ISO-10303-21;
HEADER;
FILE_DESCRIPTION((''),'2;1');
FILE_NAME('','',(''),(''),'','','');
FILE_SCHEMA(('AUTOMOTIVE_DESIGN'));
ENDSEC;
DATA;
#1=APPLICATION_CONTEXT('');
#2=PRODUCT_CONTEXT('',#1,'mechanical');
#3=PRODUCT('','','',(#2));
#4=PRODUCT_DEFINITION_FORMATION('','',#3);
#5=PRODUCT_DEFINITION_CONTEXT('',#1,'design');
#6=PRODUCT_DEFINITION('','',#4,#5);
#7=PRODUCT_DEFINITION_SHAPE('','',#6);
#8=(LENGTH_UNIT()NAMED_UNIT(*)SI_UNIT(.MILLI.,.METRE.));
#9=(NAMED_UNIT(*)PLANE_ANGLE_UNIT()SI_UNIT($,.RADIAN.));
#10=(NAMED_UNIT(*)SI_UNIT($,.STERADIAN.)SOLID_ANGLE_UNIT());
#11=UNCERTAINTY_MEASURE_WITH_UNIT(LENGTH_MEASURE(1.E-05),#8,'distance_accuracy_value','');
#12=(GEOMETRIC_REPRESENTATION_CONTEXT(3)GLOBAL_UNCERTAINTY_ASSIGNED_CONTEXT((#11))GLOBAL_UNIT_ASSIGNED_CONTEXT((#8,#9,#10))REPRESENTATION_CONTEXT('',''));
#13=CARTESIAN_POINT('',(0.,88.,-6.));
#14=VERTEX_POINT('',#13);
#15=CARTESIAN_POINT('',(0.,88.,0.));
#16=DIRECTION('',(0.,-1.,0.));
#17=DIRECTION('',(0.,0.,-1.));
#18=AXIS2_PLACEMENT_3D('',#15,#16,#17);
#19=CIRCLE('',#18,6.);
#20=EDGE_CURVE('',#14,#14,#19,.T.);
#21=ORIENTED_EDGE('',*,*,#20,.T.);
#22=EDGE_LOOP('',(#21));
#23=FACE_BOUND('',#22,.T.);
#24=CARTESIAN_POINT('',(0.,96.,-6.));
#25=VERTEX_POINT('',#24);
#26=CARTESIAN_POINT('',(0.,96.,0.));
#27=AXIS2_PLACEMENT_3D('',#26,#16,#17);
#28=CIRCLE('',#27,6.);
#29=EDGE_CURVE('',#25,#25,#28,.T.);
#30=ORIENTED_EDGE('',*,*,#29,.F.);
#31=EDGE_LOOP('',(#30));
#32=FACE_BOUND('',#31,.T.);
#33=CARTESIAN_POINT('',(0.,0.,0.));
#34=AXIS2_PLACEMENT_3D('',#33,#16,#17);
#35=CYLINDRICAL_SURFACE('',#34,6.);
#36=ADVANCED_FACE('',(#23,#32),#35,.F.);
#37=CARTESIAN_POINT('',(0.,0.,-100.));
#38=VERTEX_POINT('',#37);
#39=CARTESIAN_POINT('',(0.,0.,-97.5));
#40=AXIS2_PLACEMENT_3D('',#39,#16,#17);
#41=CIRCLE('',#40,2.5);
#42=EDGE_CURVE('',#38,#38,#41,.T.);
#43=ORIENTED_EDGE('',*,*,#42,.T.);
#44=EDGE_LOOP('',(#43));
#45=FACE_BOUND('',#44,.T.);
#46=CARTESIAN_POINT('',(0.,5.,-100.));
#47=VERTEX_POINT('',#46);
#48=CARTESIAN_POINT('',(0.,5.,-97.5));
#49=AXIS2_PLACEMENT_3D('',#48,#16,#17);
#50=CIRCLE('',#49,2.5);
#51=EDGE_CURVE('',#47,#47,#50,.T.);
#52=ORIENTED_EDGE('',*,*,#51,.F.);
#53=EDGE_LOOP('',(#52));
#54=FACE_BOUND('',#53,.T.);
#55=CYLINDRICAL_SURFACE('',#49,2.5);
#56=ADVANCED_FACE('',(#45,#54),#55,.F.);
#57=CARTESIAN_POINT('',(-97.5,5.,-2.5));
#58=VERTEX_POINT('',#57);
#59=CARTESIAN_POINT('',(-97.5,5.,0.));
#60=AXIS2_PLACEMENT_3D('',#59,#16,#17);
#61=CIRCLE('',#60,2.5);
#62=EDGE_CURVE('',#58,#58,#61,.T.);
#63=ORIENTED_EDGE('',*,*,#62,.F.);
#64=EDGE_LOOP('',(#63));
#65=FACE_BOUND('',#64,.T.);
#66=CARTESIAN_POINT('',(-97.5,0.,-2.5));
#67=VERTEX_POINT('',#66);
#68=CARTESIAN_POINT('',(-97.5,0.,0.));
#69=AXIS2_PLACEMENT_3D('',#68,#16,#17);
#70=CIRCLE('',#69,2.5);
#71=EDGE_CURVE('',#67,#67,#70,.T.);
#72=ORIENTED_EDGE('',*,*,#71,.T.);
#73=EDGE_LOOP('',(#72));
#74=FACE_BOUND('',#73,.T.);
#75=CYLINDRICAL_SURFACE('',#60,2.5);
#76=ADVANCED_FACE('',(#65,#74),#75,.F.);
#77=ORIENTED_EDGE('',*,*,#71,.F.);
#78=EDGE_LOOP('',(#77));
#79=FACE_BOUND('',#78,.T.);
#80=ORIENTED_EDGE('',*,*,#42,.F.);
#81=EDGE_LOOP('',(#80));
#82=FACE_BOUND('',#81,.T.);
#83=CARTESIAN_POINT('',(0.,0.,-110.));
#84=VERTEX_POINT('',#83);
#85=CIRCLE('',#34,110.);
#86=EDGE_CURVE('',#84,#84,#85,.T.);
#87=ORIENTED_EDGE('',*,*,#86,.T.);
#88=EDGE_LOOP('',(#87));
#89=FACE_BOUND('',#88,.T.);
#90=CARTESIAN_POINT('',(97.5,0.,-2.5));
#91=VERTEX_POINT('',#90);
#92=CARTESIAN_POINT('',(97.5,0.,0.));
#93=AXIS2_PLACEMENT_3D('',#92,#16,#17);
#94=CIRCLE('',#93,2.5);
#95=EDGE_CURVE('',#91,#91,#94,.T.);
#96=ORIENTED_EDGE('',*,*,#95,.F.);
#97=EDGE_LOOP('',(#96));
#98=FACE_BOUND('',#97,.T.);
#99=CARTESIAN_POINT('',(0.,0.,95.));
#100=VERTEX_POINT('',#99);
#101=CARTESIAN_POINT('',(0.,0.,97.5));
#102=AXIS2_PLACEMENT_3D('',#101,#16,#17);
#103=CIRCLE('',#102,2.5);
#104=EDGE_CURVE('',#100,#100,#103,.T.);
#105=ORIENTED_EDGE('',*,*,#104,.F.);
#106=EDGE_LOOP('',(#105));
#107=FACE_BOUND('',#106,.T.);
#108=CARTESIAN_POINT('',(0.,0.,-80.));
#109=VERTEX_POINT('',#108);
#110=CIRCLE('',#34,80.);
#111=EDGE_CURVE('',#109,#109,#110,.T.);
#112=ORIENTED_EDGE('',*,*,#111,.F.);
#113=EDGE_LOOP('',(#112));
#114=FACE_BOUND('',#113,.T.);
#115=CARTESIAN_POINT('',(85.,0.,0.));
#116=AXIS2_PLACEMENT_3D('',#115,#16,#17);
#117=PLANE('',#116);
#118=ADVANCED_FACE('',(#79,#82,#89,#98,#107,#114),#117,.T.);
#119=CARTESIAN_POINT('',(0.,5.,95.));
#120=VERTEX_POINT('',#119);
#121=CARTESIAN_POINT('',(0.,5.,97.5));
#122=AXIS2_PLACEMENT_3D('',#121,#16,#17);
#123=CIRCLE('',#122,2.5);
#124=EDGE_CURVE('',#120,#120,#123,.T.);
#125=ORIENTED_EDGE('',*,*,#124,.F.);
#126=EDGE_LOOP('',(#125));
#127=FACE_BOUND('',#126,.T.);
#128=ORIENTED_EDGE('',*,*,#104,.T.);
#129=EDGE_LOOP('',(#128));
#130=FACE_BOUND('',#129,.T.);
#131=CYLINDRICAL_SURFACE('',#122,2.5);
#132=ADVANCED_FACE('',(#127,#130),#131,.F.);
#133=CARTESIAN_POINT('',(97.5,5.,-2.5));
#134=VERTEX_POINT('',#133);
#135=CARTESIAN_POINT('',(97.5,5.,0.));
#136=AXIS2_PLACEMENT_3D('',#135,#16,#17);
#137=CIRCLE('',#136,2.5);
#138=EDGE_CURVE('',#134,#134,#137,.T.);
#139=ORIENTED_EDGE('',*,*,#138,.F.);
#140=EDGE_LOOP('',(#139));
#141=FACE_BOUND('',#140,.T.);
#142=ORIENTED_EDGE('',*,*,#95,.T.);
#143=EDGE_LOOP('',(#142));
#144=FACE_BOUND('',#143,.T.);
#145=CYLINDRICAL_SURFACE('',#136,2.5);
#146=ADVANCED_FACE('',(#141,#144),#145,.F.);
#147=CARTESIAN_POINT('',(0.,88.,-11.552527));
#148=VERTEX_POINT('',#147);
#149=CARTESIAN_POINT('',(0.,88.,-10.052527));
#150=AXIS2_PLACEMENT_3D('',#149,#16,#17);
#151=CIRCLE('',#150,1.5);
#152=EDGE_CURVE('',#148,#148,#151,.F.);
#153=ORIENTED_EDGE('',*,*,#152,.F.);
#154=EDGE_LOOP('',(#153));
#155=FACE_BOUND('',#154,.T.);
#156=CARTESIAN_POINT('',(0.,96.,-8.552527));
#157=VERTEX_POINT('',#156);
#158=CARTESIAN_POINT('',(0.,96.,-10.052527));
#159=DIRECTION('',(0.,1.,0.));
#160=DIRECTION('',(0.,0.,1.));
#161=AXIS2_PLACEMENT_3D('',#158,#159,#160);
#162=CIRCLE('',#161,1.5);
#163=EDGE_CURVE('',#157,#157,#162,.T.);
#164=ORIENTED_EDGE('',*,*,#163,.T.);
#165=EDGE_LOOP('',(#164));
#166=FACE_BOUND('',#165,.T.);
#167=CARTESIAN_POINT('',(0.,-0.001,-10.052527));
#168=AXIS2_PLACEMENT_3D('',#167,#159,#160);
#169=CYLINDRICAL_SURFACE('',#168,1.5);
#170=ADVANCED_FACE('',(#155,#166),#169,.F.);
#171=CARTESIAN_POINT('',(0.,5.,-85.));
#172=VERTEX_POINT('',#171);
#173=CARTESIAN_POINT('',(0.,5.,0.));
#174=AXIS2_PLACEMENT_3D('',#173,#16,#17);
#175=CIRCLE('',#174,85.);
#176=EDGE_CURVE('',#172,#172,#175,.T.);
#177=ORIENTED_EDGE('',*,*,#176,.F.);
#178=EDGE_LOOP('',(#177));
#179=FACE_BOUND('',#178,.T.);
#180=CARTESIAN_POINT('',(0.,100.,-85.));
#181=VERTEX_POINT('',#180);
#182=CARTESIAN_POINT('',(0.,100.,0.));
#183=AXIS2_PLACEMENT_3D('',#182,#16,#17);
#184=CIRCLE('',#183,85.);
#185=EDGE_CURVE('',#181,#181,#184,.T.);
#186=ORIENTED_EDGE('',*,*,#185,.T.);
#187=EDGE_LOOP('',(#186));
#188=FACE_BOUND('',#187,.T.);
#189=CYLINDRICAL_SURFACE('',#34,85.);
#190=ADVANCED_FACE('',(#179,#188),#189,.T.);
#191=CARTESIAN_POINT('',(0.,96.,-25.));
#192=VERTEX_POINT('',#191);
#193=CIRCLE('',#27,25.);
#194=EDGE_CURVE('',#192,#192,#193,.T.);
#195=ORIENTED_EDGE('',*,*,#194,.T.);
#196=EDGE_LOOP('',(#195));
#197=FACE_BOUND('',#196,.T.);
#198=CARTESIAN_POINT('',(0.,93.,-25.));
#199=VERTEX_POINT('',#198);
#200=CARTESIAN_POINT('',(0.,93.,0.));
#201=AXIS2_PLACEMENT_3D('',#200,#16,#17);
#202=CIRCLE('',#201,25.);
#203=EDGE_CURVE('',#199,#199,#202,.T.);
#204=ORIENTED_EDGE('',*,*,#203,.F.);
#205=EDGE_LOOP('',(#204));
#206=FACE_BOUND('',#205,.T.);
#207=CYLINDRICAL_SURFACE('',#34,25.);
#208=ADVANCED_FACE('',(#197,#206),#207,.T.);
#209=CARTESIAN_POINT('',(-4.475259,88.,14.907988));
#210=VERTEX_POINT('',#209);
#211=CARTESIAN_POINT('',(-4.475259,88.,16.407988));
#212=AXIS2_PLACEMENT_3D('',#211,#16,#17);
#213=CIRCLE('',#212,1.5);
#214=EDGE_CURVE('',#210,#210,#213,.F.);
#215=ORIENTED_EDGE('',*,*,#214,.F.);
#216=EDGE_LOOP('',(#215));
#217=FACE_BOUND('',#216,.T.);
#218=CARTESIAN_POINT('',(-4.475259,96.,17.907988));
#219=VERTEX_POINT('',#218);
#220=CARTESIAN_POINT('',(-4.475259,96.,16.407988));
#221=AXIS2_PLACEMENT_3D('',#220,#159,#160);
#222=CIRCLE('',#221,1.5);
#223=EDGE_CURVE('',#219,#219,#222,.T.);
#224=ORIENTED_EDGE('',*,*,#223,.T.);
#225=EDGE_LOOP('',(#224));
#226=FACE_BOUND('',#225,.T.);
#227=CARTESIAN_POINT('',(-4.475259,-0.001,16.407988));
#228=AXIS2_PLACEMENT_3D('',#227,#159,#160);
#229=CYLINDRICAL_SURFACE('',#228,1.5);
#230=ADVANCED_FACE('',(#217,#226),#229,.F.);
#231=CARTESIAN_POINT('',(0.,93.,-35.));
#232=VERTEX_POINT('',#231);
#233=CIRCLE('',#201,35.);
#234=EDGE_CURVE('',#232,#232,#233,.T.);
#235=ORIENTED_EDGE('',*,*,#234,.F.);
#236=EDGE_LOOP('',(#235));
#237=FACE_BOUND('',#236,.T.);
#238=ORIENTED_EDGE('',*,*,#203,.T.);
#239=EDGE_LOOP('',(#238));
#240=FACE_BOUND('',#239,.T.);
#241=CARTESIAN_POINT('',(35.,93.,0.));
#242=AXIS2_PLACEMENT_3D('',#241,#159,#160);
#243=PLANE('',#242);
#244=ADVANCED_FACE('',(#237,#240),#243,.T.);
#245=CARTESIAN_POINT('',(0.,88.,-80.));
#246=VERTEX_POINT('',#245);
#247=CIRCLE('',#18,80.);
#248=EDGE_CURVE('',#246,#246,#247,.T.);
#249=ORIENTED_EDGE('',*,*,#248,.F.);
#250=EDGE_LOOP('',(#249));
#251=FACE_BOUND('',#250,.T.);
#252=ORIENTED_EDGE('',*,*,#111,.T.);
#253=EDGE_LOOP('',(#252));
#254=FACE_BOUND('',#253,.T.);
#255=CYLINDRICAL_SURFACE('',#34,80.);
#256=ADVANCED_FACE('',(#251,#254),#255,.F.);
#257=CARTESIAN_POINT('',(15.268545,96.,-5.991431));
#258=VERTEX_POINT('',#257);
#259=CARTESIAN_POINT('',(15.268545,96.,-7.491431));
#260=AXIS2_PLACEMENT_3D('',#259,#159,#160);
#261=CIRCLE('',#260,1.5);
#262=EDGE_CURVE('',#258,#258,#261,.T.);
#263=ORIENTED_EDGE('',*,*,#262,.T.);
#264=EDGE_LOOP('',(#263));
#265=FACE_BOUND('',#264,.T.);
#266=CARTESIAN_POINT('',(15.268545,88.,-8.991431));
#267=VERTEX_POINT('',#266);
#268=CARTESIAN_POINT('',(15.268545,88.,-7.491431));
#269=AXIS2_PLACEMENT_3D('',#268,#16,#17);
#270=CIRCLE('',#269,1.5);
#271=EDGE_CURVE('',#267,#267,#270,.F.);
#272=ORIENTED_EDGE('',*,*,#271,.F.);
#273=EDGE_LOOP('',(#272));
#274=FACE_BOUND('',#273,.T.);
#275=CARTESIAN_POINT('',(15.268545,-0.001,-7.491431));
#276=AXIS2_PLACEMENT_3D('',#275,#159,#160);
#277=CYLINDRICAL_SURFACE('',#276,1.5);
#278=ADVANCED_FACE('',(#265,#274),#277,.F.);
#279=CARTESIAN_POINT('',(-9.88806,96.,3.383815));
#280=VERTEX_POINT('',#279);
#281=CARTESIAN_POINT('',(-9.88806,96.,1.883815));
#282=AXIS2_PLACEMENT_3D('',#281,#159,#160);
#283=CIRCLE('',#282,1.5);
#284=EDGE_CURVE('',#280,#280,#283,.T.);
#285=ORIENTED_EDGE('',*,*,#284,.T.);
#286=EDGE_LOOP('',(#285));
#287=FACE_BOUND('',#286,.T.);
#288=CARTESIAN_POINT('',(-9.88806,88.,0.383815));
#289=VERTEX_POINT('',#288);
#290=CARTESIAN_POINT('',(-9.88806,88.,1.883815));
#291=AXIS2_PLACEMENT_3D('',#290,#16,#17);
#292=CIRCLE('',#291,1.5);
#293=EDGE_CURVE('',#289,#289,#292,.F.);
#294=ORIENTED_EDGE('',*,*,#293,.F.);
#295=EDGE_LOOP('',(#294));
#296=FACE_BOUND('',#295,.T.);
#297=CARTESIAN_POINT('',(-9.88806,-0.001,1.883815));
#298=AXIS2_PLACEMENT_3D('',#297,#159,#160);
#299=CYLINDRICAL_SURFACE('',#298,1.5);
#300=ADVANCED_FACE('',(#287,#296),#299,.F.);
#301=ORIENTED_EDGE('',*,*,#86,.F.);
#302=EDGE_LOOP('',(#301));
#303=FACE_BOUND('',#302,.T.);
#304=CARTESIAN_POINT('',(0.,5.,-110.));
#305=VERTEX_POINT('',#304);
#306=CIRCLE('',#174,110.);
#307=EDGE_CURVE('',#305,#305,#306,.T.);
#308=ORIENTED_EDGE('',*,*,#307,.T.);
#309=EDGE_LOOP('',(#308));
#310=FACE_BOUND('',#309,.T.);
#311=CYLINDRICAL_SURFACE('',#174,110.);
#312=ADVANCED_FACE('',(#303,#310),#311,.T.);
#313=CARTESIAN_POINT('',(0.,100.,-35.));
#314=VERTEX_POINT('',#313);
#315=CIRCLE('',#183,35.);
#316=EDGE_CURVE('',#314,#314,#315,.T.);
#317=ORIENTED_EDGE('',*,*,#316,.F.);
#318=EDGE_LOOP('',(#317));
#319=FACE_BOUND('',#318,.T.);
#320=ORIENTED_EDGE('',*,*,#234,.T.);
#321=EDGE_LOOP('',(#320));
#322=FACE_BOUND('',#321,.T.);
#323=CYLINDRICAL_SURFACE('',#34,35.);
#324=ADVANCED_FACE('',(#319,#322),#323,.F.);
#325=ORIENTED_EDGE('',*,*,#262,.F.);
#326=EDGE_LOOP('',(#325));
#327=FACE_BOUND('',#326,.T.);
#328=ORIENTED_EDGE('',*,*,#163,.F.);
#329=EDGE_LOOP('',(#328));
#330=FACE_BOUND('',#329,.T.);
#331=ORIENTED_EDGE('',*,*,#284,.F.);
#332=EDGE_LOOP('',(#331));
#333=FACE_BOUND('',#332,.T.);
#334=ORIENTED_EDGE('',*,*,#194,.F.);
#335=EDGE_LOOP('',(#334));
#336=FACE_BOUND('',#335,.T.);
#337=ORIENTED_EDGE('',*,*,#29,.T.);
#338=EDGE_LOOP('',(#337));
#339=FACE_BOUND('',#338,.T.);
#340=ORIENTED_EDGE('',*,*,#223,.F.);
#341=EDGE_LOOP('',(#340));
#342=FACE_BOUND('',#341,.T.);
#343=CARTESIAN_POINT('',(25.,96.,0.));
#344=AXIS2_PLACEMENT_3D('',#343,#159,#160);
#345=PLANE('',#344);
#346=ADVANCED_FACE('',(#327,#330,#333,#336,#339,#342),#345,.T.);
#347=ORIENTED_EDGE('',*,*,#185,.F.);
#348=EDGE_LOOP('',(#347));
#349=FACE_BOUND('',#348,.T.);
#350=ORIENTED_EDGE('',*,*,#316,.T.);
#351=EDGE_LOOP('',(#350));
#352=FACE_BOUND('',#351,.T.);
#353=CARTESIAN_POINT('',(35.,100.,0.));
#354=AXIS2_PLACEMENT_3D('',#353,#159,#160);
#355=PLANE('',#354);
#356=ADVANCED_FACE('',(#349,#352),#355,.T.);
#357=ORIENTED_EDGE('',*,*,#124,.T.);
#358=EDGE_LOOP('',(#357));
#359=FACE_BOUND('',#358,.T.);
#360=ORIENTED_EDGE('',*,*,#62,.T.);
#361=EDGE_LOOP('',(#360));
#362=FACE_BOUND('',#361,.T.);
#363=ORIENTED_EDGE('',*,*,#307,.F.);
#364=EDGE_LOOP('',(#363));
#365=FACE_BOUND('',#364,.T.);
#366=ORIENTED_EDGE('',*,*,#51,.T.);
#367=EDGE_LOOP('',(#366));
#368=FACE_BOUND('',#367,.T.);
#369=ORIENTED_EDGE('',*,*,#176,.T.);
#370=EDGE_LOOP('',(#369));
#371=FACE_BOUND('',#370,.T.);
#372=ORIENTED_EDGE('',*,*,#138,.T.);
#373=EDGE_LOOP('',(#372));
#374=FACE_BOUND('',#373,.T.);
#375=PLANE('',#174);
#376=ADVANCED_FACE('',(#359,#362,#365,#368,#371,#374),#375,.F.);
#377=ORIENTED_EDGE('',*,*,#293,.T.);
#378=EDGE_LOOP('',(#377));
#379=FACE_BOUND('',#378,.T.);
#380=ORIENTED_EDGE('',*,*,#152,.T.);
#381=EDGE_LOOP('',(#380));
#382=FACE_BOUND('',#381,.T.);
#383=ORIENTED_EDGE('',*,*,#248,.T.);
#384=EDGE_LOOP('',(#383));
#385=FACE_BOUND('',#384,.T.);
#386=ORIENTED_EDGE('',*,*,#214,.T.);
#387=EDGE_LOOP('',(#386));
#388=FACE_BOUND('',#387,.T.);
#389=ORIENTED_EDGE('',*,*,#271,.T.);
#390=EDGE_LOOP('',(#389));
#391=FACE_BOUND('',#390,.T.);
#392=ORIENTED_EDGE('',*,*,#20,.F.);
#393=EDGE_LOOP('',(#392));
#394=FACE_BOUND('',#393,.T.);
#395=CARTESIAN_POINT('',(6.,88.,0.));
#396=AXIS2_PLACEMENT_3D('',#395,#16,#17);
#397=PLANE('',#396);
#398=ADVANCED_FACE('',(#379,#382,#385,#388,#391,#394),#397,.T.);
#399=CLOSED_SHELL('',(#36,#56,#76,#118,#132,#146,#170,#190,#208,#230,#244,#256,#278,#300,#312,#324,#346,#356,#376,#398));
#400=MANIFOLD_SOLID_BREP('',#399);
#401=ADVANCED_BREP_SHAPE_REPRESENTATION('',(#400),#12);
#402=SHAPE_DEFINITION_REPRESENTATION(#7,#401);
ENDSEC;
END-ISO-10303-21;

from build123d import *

# Parameters (mm, degrees)
CUT_EXTRUDE1_REACH  = 155.838
SKETCH2_R           = 1.5
SKETCH3_R           = 110
SKETCH3_R_2         = 85
SKETCH3_R_3         = 2.5
BOSS_EXTRUDE1_DEPTH = 5


with BuildPart() as part:
    # Sketch1 → Revolve1 (revolve)
    with BuildSketch(Plane.XY, mode=Mode.PRIVATE) as revolve1_sk:
        Polygon((80, 0), (80, 88), (6, 88), (6, 96), (25, 96), (25, 93), (35, 93), (35, 100), (85, 100), (85, 0), align=None)
    revolve(revolve1_sk.sketch.rotate(Axis((0, 0, 0), (0, 1, 0)), 90), axis=Axis((0, 0, 0), (0, 1, 0)))

    # Sketch2 → Cut-Extrude1 (cut, up to next)
    with BuildSketch(Plane(origin=(0, 96, 0), x_dir=(1, 0, 0), z_dir=(0, 1, 0)), mode=Mode.PRIVATE) as cut_extrude1_sk1:
        with Locations(Location((0, 10.052527236, 0), (0, 0, 270))):
            Circle(SKETCH2_R)
    cut_extrude1_tool1 = extrude(cut_extrude1_sk1.sketch, amount=-CUT_EXTRUDE1_REACH, mode=Mode.PRIVATE) & part.part
    # Sketch2 → Cut-Extrude1 (cut, up to next)
    with BuildSketch(Plane(origin=(0, 96, 0), x_dir=(1, 0, 0), z_dir=(0, 1, 0)), mode=Mode.PRIVATE) as cut_extrude1_sk2:
        with Locations(Location((-9.888059839, -1.883815278, 0), (0, 0, 270))):
            Circle(SKETCH2_R)
    cut_extrude1_tool2 = extrude(cut_extrude1_sk2.sketch, amount=-CUT_EXTRUDE1_REACH, mode=Mode.PRIVATE) & part.part
    # Sketch2 → Cut-Extrude1 (cut, up to next)
    with BuildSketch(Plane(origin=(0, 96, 0), x_dir=(1, 0, 0), z_dir=(0, 1, 0)), mode=Mode.PRIVATE) as cut_extrude1_sk3:
        with Locations(Location((-4.4752587, -16.407987676, 0), (0, 0, 270))):
            Circle(SKETCH2_R)
    cut_extrude1_tool3 = extrude(cut_extrude1_sk3.sketch, amount=-CUT_EXTRUDE1_REACH, mode=Mode.PRIVATE) & part.part
    # Sketch2 → Cut-Extrude1 (cut, up to next)
    with BuildSketch(Plane(origin=(0, 96, 0), x_dir=(1, 0, 0), z_dir=(0, 1, 0)), mode=Mode.PRIVATE) as cut_extrude1_sk4:
        with Locations(Location((15.268544691, 7.491431306, 0), (0, 0, 270))):
            Circle(SKETCH2_R)
    cut_extrude1_tool4 = extrude(cut_extrude1_sk4.sketch, amount=-CUT_EXTRUDE1_REACH, mode=Mode.PRIVATE) & part.part
    add(cut_extrude1_tool1.solids().sort_by_distance((0, 96, -10.052527))[0], mode=Mode.SUBTRACT)
    add(cut_extrude1_tool2.solids().sort_by_distance((-9.88806, 96, 1.883815))[0], mode=Mode.SUBTRACT)
    add(cut_extrude1_tool3.solids().sort_by_distance((-4.475259, 96, 16.407988))[0], mode=Mode.SUBTRACT)
    add(cut_extrude1_tool4.solids().sort_by_distance((15.268545, 96, -7.491431))[0], mode=Mode.SUBTRACT)

    # Sketch3 → Boss-Extrude1 (add)
    with BuildSketch(Plane.XZ):
        with Locations(Location((0, 0, 0), (0, 0, 270))):
            Circle(SKETCH3_R)
        with Locations(Location((0, 0, 0), (0, 0, 270))):
            Circle(SKETCH3_R_2, mode=Mode.SUBTRACT)
        with Locations(Location((0, 97.5, 0), (0, 0, 270))):
            Circle(SKETCH3_R_3, mode=Mode.SUBTRACT)
        with Locations(Location((97.5, 0, 0), (0, 0, 270))):
            Circle(SKETCH3_R_3, mode=Mode.SUBTRACT)
        with Locations(Location((0, -97.5, 0), (0, 0, 270))):
            Circle(SKETCH3_R_3, mode=Mode.SUBTRACT)
        with Locations(Location((-97.5, 0, 0), (0, 0, 270))):
            Circle(SKETCH3_R_3, mode=Mode.SUBTRACT)
    extrude(amount=-BOSS_EXTRUDE1_DEPTH)


solid = part.part
